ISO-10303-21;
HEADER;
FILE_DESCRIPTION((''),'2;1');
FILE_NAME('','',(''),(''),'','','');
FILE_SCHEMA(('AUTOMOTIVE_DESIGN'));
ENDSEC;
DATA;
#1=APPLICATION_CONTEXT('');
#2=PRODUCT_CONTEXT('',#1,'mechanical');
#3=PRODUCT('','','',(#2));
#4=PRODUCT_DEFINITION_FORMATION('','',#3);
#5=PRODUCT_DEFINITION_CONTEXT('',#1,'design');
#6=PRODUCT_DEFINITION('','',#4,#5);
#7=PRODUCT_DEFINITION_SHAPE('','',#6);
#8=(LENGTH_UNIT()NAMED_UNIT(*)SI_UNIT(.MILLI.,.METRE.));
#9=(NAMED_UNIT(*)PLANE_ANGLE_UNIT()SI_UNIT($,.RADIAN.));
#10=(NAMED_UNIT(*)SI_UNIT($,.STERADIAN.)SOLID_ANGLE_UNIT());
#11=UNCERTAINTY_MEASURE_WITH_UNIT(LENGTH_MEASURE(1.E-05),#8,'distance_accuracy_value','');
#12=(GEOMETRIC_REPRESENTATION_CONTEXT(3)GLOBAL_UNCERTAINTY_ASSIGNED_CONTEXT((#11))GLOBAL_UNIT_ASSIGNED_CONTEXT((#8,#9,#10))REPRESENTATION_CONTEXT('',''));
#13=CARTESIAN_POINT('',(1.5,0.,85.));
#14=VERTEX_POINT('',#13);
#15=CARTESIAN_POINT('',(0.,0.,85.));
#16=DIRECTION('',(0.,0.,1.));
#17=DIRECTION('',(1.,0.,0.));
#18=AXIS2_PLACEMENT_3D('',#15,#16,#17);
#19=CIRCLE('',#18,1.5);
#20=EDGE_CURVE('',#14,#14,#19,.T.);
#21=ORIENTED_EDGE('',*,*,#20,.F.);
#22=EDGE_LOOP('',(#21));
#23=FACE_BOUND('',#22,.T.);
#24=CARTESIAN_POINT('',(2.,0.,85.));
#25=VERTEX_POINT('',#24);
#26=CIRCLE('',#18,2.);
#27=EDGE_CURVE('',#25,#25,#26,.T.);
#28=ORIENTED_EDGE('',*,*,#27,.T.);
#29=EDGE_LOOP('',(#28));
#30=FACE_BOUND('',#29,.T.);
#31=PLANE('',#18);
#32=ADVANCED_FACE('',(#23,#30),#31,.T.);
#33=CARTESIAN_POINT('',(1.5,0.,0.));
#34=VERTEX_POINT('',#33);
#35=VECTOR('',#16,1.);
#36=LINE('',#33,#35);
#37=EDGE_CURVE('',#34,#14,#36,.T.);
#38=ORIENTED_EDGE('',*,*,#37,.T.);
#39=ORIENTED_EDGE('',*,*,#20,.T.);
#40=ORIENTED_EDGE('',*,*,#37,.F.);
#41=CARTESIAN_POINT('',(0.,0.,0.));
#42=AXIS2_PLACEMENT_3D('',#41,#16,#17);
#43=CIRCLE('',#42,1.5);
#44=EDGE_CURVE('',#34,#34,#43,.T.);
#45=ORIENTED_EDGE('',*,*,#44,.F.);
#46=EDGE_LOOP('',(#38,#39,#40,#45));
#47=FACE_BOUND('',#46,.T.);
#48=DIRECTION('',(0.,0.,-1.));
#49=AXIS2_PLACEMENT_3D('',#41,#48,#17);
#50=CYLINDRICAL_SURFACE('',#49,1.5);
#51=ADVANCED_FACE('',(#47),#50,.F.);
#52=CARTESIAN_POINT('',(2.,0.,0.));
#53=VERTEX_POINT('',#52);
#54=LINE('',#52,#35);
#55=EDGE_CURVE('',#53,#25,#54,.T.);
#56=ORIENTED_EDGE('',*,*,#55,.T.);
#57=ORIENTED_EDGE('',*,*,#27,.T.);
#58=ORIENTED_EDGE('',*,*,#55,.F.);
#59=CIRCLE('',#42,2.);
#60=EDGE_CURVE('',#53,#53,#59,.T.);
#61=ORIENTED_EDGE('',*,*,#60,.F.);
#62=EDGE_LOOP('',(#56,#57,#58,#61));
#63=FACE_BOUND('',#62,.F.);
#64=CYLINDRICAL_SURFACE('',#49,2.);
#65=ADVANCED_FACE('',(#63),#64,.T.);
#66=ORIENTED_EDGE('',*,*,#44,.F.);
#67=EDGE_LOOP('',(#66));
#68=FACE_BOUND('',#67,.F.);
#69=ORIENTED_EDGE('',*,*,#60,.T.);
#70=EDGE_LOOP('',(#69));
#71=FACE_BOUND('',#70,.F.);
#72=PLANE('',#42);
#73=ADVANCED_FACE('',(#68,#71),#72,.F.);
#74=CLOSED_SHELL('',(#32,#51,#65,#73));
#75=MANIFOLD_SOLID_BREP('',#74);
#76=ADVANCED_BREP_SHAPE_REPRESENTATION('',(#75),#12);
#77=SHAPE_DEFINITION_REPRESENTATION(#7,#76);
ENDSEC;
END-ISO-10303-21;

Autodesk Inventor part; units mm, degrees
ref_plane "YZ Plane" through (0, 0, 0) normal (1, 0, 0) x (0, 1, 0)
ref_plane "XZ Plane" through (0, 0, 0) normal (0, 1, 0) x (-1, 0, 0)
ref_plane "XY Plane" through (0, 0, 0) normal (0, 0, 1) x (1, 0, 0)
sketch "Sketch1" plane through (0, 0, 0) normal (0, 0, 1) x (1, 0, 0)
  circle A0 centre (0, 0) radius 2
  circle A1 centre (0, 0) radius 1.5
  dimension "d0" = 4
  dimension "d1" = 3
extrude "Extrusion1" add sketch "Sketch1" along normal blind 85
properties part number "Elytron_Servo_Main_Rod" material "CFRP"
